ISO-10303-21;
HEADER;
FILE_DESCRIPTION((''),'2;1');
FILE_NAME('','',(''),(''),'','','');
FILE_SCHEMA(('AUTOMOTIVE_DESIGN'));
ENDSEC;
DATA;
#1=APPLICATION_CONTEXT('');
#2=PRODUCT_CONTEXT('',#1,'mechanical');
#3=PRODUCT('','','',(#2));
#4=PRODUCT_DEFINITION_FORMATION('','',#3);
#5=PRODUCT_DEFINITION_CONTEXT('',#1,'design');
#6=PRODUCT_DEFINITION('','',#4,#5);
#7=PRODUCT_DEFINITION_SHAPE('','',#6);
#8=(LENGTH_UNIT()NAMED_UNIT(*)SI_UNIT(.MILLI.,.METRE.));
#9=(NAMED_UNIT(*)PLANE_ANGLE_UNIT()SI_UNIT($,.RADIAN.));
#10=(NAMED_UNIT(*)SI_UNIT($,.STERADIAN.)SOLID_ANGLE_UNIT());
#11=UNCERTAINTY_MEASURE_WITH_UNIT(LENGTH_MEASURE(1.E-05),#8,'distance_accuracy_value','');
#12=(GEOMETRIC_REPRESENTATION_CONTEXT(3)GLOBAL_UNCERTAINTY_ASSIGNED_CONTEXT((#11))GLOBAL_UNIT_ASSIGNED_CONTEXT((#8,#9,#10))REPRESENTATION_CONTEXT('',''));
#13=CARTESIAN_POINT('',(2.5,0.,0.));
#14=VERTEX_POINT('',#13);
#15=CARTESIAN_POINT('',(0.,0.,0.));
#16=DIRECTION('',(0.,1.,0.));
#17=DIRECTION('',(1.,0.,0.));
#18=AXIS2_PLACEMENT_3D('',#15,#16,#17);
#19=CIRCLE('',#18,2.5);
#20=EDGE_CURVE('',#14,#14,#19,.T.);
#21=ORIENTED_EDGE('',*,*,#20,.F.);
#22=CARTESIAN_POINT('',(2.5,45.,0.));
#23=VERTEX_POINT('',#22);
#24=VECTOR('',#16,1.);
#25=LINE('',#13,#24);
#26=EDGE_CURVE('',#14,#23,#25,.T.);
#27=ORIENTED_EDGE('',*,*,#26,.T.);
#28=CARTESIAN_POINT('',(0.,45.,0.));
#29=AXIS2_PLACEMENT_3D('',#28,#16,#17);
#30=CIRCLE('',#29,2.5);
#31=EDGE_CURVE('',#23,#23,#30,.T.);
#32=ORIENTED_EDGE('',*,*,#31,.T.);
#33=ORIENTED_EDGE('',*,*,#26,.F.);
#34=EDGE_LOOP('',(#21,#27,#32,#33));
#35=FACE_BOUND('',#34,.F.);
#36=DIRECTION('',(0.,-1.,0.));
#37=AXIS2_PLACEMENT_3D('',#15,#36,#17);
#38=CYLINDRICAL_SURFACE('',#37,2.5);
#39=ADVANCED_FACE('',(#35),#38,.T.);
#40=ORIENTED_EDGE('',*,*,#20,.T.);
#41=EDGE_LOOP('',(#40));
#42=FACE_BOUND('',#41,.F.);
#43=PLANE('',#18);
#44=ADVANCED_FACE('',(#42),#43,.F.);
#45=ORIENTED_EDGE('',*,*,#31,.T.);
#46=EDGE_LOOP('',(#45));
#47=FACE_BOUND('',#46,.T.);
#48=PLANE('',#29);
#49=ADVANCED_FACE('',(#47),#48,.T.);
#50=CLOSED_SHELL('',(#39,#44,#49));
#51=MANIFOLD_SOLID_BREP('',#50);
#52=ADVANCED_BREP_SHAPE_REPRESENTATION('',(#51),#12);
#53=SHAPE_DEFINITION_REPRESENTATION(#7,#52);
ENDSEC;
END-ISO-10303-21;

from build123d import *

# Parameters (mm, degrees)
CROQUIS1_R              = 2.5
SALIENTE_EXTRUIR1_DEPTH = 45


with BuildPart() as part:
    # Croquis1 → Saliente-Extruir1 (new body)
    with BuildSketch(Plane(origin=(0, 0, 0), x_dir=(1, 0, 0), z_dir=(0, 1, 0))):
        Circle(CROQUIS1_R)
    extrude(amount=SALIENTE_EXTRUIR1_DEPTH)


solid = part.part
